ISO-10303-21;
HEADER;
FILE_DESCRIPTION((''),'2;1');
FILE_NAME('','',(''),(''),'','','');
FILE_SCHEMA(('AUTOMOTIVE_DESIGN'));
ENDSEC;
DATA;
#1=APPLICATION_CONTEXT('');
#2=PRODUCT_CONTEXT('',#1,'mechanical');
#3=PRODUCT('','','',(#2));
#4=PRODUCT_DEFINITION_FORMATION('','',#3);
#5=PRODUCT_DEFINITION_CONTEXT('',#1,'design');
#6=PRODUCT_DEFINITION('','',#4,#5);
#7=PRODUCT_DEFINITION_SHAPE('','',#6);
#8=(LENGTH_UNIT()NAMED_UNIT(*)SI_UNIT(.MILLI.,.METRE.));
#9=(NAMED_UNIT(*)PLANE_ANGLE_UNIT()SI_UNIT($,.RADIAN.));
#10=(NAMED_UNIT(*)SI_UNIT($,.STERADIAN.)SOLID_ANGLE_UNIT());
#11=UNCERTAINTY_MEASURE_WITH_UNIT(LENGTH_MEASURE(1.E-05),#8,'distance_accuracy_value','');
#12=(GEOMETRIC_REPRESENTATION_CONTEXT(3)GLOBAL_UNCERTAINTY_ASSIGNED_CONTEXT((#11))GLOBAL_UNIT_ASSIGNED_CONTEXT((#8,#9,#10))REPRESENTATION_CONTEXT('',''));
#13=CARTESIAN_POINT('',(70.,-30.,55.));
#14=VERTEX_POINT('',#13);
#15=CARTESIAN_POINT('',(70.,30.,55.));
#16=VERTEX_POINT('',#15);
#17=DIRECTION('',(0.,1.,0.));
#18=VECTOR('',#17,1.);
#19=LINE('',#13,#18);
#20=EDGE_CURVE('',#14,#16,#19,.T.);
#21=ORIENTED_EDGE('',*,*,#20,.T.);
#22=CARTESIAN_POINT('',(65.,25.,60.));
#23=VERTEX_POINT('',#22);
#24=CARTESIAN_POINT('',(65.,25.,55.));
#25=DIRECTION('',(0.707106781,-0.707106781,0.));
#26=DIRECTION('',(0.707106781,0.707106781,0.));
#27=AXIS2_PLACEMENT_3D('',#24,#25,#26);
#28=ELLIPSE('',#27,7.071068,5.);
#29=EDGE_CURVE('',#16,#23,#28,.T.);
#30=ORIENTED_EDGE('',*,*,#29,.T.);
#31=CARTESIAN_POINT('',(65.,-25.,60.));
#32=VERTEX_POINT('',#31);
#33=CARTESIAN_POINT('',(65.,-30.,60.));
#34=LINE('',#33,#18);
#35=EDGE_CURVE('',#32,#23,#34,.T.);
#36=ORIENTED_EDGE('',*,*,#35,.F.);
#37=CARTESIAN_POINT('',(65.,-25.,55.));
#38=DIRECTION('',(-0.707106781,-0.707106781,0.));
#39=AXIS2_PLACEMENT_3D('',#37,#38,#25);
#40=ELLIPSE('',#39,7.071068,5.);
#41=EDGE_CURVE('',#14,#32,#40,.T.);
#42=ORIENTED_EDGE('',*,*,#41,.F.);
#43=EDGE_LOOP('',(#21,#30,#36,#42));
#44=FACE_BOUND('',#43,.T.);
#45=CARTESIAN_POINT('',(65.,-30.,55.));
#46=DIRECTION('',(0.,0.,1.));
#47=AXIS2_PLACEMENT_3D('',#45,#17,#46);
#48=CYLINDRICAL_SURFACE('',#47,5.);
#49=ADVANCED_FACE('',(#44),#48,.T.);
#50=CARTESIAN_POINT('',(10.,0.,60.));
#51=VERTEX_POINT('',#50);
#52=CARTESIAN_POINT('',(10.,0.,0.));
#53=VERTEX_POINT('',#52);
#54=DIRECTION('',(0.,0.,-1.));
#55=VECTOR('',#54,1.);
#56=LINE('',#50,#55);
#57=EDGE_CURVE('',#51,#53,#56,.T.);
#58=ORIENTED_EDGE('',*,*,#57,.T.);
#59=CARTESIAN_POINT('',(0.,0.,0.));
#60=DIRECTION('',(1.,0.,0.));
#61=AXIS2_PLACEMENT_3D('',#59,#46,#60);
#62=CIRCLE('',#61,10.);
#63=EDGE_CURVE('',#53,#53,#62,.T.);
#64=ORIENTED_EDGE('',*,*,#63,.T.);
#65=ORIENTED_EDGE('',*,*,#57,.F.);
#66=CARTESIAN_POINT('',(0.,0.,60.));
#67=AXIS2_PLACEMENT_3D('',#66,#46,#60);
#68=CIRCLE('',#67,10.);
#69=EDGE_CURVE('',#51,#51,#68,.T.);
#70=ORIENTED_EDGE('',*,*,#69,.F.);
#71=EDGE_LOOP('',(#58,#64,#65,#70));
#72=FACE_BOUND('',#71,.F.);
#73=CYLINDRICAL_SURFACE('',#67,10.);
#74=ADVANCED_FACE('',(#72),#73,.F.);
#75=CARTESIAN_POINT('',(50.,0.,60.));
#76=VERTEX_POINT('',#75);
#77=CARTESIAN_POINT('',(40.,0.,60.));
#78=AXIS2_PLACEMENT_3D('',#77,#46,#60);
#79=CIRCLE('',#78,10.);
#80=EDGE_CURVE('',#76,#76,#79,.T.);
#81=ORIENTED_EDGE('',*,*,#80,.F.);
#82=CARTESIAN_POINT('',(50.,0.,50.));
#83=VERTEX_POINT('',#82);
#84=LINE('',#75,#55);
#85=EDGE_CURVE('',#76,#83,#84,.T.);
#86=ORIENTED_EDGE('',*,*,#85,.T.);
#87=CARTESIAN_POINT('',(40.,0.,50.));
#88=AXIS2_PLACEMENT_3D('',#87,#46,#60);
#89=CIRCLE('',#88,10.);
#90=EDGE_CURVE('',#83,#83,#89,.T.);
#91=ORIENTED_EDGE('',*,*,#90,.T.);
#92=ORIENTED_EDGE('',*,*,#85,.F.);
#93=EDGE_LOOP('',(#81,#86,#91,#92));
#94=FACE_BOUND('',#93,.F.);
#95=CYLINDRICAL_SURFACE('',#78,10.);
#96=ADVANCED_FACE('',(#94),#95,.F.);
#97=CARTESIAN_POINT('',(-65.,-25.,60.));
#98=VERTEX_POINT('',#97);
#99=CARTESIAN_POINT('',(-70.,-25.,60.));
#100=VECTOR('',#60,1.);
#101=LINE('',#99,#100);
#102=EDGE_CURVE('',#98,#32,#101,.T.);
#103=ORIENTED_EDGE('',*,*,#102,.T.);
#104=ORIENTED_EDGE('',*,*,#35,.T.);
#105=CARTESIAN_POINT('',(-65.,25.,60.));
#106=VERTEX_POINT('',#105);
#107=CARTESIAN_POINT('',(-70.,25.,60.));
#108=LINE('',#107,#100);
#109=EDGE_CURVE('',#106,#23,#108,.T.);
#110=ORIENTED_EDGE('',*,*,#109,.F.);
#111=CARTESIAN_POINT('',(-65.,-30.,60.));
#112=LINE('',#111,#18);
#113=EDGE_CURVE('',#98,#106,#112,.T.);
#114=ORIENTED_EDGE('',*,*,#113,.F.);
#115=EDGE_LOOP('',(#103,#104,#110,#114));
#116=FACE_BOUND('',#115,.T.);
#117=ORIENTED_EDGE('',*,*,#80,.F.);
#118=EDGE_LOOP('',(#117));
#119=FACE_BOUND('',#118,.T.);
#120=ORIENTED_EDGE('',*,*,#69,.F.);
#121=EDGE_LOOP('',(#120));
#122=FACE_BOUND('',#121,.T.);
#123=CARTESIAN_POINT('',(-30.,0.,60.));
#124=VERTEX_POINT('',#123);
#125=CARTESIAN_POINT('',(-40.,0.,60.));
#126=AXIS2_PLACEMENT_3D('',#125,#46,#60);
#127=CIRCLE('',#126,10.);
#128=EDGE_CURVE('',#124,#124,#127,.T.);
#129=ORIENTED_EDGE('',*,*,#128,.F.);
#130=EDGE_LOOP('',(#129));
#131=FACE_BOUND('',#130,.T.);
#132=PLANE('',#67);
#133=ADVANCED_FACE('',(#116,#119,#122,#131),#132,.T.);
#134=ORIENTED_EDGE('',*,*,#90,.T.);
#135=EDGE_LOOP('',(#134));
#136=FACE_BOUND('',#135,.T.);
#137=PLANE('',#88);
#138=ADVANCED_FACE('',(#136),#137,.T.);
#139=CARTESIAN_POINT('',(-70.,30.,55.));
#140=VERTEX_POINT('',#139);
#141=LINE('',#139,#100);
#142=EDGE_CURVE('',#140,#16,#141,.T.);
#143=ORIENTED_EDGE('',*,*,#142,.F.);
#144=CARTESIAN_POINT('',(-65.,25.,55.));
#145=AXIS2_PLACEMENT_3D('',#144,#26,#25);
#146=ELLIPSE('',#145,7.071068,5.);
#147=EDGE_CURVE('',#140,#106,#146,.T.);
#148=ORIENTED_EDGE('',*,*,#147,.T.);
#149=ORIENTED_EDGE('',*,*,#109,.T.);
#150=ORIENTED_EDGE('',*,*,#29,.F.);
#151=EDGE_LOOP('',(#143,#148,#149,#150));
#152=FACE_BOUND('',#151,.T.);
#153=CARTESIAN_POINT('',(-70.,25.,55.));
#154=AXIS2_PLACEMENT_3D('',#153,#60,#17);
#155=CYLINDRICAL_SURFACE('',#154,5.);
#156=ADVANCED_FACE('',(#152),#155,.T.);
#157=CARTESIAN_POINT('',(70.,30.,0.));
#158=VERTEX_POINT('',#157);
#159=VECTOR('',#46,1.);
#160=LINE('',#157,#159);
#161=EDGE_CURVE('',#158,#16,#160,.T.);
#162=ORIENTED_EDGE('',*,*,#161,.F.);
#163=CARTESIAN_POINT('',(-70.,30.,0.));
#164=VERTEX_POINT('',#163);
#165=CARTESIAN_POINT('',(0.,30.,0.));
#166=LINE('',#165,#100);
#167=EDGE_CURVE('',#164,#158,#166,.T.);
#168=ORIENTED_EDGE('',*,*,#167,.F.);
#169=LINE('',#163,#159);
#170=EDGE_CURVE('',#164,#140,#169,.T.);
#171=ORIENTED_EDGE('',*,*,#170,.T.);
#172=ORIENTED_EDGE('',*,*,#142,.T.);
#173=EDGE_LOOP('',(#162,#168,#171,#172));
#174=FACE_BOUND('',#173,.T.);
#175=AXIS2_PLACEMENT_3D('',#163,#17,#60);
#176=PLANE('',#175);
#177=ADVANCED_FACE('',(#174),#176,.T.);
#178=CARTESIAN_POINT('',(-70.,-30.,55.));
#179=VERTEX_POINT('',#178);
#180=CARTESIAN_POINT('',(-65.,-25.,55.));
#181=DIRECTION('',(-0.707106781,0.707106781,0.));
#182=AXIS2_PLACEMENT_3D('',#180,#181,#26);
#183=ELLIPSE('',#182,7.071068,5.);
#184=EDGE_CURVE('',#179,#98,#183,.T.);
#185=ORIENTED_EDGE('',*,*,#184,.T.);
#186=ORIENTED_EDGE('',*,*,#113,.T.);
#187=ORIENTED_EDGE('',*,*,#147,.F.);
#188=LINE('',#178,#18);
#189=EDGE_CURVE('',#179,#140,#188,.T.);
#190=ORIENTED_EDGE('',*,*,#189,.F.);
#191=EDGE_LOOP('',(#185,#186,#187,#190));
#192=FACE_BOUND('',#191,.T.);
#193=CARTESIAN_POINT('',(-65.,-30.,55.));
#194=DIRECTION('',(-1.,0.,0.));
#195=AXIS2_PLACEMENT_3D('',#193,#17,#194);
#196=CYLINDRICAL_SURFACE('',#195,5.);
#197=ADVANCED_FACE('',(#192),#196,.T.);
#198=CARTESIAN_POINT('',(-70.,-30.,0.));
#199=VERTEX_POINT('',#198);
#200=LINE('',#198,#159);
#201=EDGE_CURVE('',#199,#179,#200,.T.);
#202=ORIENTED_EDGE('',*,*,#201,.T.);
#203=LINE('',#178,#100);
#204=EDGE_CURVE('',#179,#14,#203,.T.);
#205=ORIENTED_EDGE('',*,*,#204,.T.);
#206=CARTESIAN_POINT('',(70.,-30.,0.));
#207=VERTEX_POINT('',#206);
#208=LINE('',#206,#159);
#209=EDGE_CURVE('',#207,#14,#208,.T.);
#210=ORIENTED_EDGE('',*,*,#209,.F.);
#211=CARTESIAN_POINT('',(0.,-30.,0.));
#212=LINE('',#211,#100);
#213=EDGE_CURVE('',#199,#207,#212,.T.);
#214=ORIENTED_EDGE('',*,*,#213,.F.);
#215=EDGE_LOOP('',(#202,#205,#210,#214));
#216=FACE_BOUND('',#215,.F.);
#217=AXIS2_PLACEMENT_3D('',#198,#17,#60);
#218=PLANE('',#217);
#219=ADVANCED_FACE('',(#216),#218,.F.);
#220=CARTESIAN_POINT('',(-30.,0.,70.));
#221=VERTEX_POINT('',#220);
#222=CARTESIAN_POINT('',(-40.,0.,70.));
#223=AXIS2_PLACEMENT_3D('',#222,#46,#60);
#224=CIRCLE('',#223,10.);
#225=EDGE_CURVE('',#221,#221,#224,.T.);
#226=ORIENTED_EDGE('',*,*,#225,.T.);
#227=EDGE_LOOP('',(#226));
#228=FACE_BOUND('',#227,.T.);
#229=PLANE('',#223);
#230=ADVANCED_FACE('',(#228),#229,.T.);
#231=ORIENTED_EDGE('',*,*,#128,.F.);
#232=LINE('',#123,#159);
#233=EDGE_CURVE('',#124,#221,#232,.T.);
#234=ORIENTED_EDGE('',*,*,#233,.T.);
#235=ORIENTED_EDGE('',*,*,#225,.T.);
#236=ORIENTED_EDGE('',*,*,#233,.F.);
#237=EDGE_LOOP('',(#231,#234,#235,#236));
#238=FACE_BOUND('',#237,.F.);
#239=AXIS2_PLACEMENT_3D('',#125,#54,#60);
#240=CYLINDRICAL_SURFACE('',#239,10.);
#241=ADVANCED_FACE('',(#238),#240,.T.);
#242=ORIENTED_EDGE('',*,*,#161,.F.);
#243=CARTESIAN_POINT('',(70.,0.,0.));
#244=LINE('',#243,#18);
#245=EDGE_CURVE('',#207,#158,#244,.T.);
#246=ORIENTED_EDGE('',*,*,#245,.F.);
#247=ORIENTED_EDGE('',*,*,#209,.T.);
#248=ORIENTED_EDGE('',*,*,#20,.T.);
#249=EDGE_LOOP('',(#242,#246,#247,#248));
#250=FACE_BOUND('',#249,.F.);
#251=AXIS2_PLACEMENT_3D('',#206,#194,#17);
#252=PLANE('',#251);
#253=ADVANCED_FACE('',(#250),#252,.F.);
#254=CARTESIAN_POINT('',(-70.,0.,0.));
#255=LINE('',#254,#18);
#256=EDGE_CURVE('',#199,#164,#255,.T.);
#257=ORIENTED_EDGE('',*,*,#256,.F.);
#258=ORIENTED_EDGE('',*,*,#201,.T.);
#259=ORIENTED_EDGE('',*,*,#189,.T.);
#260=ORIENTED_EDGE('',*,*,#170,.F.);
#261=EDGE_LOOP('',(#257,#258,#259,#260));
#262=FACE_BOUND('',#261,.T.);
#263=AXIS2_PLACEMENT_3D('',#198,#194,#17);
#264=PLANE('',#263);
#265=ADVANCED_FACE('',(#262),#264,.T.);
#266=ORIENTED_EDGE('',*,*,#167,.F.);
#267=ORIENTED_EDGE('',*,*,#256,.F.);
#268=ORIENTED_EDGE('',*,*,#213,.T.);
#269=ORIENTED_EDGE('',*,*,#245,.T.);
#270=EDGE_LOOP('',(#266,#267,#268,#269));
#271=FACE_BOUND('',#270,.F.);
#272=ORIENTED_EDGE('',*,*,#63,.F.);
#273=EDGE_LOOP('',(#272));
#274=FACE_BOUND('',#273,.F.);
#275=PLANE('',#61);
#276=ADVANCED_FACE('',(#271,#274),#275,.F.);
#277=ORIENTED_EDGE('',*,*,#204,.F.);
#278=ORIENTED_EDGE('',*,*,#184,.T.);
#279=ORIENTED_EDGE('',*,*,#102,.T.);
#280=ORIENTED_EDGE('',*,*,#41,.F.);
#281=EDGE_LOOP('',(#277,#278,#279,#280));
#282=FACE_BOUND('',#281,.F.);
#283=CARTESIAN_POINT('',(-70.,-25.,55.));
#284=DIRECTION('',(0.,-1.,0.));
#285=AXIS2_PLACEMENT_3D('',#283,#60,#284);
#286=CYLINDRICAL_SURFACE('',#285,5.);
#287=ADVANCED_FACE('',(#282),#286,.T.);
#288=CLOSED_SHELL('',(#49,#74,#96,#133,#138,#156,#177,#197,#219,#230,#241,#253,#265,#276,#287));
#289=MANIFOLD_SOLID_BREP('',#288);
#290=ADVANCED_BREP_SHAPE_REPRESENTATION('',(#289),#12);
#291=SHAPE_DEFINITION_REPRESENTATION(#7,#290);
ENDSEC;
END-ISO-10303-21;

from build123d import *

# Parameters (mm, degrees)
F0_W     = 140
F0_H     = 60
F1_DEPTH = 60
F2_R     = 10
F5_DEPTH = 10
F4_R     = 10
F6_DEPTH = 102.5
F3_R     = 10
F7_DEPTH = 10
F8_R     = 5


with BuildPart() as f1:
    # F0 (on Top) → F1 (new body)
    with BuildSketch(Plane.XY):
        Rectangle(F0_W, F0_H)
    extrude(amount=F1_DEPTH)

    # F2 (on face) → F5 (join)
    with BuildSketch(Plane.XY.offset(60)):
        with Locations((-40, 0)):
            Circle(F2_R)
    extrude(amount=F5_DEPTH)

    # F4 (on face) → F6 (cut)
    with BuildSketch(Plane.XY.offset(60)):
        Circle(F4_R)
    extrude(amount=-F6_DEPTH, mode=Mode.SUBTRACT)

    # F3 (on face) → F7 (cut)
    with BuildSketch(Plane.XY.offset(60)):
        with Locations((40, 0)):
            Circle(F3_R)
    extrude(amount=-F7_DEPTH, mode=Mode.SUBTRACT)

    # F8
    f8_edges = [f1.edges().sort_by_distance(p)[0] for p in [
        (0, 30, 60),
        (-70, 0, 60),
        (0, -30, 60),
        (70, 0, 60),
    ]]
    fillet(f8_edges, radius=F8_R)


solid = f1.part
